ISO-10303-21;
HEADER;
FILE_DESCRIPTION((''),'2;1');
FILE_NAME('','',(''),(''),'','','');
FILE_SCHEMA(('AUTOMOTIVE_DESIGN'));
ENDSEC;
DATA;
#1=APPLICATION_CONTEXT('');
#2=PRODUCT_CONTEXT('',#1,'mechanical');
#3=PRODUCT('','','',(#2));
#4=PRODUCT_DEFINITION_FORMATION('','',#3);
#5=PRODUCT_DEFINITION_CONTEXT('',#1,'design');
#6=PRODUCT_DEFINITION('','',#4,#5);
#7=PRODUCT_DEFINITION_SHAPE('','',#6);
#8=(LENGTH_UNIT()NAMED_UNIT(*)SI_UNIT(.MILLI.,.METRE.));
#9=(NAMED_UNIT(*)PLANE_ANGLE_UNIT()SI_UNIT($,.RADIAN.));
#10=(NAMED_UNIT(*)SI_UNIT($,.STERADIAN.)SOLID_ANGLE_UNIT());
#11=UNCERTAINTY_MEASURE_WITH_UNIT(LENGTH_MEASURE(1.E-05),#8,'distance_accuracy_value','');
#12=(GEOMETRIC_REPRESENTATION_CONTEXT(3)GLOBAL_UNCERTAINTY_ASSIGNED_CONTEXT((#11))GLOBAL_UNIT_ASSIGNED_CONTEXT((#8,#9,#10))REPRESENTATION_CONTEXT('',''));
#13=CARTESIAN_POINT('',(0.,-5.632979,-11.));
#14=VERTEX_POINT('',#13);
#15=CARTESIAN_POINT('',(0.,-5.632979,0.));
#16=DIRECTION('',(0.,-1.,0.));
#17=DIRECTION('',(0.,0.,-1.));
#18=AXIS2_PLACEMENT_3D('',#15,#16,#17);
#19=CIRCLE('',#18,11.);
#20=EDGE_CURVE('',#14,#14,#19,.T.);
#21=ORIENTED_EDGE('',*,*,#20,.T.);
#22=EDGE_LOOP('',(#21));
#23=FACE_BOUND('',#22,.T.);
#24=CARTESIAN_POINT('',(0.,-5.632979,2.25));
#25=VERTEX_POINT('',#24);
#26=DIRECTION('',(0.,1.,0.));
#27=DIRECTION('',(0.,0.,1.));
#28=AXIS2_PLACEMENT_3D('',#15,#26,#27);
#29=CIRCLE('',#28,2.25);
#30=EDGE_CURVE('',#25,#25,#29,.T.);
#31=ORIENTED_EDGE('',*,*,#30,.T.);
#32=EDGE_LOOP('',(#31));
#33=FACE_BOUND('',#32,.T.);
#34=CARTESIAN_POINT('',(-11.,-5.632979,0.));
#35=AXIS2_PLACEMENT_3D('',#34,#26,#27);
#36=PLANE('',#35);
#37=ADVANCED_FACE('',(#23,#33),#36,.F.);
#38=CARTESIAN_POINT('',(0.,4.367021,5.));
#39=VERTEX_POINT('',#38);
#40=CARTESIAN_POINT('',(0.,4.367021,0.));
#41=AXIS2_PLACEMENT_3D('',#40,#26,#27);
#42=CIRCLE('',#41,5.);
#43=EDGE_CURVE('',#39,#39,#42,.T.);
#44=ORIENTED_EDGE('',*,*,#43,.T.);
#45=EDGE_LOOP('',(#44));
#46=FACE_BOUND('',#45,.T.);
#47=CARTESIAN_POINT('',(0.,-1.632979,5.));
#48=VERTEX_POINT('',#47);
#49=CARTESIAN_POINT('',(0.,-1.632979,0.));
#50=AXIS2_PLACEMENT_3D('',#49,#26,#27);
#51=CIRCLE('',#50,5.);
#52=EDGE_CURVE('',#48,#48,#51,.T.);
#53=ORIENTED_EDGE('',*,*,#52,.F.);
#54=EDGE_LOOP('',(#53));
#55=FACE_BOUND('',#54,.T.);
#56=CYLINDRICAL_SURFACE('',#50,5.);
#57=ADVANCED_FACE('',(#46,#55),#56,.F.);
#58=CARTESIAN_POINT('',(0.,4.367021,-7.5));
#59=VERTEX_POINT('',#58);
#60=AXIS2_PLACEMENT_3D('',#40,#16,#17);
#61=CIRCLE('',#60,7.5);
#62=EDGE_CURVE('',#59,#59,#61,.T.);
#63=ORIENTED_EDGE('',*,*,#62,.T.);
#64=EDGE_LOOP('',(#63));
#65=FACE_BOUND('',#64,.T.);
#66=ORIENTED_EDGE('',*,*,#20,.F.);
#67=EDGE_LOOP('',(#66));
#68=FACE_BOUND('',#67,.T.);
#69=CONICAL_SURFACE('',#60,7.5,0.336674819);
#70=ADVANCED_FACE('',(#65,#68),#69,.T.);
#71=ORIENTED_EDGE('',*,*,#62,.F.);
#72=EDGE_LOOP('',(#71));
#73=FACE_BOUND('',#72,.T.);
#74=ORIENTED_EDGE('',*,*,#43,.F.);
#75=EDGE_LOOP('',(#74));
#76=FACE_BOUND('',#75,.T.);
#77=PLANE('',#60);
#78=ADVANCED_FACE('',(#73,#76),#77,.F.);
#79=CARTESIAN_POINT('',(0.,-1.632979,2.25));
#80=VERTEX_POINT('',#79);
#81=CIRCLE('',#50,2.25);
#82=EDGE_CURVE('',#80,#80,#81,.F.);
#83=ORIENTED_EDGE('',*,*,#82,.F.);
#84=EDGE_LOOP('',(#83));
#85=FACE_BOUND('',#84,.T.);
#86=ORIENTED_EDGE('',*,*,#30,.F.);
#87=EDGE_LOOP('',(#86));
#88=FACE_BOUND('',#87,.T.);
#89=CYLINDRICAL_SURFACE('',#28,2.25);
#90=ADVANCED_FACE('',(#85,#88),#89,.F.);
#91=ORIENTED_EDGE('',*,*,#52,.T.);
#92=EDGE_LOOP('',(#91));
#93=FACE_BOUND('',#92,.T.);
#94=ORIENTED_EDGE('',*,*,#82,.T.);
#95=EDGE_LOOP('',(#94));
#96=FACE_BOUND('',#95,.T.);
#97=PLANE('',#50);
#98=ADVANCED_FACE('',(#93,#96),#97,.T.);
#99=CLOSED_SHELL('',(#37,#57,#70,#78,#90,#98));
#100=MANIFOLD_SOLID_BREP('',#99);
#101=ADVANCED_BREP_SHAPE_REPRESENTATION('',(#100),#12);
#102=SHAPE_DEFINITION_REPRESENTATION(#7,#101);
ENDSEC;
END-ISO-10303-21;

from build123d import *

# Parameters (mm, degrees)
SKETCH_3_R          = 2.25
CUT_EXTRUDE_1_DEPTH = 10
SKETCH_4_R          = 5
CUT_EXTRUDE_2_DEPTH = 6


with BuildPart() as part:
    # Эскиз2 → Повернуть1 (revolve)
    with BuildSketch(Plane.XY, mode=Mode.PRIVATE) as revolve_1_sk:
        Polygon((0, 4.367021277), (-7.5, 4.367021277), (-11, -5.632978723), (0, -5.632978723), align=None)
    revolve(revolve_1_sk.sketch.rotate(Axis((0, -5.632978723, 0), (0, 1, 0)), 270), axis=Axis((0, -5.632978723, 0), (0, 1, 0)))

    # Эскиз3 → Вырез-Вытянуть1 (cut)
    with BuildSketch(Plane(origin=(0, 4.367021277, 0), x_dir=(1, 0, 0), z_dir=(0, 1, 0))):
        with Locations(Location((0, 0, 0), (0, 0, 270))):
            Circle(SKETCH_3_R)
    extrude(amount=-CUT_EXTRUDE_1_DEPTH, mode=Mode.SUBTRACT)

    # Эскиз4 → Вырез-Вытянуть2 (cut)
    with BuildSketch(Plane(origin=(0, 4.367021277, 0), x_dir=(1, 0, 0), z_dir=(0, 1, 0))):
        with Locations(Location((0, 0, 0), (0, 0, 270))):
            Circle(SKETCH_4_R)
    extrude(amount=-CUT_EXTRUDE_2_DEPTH, mode=Mode.SUBTRACT)


solid = part.part
